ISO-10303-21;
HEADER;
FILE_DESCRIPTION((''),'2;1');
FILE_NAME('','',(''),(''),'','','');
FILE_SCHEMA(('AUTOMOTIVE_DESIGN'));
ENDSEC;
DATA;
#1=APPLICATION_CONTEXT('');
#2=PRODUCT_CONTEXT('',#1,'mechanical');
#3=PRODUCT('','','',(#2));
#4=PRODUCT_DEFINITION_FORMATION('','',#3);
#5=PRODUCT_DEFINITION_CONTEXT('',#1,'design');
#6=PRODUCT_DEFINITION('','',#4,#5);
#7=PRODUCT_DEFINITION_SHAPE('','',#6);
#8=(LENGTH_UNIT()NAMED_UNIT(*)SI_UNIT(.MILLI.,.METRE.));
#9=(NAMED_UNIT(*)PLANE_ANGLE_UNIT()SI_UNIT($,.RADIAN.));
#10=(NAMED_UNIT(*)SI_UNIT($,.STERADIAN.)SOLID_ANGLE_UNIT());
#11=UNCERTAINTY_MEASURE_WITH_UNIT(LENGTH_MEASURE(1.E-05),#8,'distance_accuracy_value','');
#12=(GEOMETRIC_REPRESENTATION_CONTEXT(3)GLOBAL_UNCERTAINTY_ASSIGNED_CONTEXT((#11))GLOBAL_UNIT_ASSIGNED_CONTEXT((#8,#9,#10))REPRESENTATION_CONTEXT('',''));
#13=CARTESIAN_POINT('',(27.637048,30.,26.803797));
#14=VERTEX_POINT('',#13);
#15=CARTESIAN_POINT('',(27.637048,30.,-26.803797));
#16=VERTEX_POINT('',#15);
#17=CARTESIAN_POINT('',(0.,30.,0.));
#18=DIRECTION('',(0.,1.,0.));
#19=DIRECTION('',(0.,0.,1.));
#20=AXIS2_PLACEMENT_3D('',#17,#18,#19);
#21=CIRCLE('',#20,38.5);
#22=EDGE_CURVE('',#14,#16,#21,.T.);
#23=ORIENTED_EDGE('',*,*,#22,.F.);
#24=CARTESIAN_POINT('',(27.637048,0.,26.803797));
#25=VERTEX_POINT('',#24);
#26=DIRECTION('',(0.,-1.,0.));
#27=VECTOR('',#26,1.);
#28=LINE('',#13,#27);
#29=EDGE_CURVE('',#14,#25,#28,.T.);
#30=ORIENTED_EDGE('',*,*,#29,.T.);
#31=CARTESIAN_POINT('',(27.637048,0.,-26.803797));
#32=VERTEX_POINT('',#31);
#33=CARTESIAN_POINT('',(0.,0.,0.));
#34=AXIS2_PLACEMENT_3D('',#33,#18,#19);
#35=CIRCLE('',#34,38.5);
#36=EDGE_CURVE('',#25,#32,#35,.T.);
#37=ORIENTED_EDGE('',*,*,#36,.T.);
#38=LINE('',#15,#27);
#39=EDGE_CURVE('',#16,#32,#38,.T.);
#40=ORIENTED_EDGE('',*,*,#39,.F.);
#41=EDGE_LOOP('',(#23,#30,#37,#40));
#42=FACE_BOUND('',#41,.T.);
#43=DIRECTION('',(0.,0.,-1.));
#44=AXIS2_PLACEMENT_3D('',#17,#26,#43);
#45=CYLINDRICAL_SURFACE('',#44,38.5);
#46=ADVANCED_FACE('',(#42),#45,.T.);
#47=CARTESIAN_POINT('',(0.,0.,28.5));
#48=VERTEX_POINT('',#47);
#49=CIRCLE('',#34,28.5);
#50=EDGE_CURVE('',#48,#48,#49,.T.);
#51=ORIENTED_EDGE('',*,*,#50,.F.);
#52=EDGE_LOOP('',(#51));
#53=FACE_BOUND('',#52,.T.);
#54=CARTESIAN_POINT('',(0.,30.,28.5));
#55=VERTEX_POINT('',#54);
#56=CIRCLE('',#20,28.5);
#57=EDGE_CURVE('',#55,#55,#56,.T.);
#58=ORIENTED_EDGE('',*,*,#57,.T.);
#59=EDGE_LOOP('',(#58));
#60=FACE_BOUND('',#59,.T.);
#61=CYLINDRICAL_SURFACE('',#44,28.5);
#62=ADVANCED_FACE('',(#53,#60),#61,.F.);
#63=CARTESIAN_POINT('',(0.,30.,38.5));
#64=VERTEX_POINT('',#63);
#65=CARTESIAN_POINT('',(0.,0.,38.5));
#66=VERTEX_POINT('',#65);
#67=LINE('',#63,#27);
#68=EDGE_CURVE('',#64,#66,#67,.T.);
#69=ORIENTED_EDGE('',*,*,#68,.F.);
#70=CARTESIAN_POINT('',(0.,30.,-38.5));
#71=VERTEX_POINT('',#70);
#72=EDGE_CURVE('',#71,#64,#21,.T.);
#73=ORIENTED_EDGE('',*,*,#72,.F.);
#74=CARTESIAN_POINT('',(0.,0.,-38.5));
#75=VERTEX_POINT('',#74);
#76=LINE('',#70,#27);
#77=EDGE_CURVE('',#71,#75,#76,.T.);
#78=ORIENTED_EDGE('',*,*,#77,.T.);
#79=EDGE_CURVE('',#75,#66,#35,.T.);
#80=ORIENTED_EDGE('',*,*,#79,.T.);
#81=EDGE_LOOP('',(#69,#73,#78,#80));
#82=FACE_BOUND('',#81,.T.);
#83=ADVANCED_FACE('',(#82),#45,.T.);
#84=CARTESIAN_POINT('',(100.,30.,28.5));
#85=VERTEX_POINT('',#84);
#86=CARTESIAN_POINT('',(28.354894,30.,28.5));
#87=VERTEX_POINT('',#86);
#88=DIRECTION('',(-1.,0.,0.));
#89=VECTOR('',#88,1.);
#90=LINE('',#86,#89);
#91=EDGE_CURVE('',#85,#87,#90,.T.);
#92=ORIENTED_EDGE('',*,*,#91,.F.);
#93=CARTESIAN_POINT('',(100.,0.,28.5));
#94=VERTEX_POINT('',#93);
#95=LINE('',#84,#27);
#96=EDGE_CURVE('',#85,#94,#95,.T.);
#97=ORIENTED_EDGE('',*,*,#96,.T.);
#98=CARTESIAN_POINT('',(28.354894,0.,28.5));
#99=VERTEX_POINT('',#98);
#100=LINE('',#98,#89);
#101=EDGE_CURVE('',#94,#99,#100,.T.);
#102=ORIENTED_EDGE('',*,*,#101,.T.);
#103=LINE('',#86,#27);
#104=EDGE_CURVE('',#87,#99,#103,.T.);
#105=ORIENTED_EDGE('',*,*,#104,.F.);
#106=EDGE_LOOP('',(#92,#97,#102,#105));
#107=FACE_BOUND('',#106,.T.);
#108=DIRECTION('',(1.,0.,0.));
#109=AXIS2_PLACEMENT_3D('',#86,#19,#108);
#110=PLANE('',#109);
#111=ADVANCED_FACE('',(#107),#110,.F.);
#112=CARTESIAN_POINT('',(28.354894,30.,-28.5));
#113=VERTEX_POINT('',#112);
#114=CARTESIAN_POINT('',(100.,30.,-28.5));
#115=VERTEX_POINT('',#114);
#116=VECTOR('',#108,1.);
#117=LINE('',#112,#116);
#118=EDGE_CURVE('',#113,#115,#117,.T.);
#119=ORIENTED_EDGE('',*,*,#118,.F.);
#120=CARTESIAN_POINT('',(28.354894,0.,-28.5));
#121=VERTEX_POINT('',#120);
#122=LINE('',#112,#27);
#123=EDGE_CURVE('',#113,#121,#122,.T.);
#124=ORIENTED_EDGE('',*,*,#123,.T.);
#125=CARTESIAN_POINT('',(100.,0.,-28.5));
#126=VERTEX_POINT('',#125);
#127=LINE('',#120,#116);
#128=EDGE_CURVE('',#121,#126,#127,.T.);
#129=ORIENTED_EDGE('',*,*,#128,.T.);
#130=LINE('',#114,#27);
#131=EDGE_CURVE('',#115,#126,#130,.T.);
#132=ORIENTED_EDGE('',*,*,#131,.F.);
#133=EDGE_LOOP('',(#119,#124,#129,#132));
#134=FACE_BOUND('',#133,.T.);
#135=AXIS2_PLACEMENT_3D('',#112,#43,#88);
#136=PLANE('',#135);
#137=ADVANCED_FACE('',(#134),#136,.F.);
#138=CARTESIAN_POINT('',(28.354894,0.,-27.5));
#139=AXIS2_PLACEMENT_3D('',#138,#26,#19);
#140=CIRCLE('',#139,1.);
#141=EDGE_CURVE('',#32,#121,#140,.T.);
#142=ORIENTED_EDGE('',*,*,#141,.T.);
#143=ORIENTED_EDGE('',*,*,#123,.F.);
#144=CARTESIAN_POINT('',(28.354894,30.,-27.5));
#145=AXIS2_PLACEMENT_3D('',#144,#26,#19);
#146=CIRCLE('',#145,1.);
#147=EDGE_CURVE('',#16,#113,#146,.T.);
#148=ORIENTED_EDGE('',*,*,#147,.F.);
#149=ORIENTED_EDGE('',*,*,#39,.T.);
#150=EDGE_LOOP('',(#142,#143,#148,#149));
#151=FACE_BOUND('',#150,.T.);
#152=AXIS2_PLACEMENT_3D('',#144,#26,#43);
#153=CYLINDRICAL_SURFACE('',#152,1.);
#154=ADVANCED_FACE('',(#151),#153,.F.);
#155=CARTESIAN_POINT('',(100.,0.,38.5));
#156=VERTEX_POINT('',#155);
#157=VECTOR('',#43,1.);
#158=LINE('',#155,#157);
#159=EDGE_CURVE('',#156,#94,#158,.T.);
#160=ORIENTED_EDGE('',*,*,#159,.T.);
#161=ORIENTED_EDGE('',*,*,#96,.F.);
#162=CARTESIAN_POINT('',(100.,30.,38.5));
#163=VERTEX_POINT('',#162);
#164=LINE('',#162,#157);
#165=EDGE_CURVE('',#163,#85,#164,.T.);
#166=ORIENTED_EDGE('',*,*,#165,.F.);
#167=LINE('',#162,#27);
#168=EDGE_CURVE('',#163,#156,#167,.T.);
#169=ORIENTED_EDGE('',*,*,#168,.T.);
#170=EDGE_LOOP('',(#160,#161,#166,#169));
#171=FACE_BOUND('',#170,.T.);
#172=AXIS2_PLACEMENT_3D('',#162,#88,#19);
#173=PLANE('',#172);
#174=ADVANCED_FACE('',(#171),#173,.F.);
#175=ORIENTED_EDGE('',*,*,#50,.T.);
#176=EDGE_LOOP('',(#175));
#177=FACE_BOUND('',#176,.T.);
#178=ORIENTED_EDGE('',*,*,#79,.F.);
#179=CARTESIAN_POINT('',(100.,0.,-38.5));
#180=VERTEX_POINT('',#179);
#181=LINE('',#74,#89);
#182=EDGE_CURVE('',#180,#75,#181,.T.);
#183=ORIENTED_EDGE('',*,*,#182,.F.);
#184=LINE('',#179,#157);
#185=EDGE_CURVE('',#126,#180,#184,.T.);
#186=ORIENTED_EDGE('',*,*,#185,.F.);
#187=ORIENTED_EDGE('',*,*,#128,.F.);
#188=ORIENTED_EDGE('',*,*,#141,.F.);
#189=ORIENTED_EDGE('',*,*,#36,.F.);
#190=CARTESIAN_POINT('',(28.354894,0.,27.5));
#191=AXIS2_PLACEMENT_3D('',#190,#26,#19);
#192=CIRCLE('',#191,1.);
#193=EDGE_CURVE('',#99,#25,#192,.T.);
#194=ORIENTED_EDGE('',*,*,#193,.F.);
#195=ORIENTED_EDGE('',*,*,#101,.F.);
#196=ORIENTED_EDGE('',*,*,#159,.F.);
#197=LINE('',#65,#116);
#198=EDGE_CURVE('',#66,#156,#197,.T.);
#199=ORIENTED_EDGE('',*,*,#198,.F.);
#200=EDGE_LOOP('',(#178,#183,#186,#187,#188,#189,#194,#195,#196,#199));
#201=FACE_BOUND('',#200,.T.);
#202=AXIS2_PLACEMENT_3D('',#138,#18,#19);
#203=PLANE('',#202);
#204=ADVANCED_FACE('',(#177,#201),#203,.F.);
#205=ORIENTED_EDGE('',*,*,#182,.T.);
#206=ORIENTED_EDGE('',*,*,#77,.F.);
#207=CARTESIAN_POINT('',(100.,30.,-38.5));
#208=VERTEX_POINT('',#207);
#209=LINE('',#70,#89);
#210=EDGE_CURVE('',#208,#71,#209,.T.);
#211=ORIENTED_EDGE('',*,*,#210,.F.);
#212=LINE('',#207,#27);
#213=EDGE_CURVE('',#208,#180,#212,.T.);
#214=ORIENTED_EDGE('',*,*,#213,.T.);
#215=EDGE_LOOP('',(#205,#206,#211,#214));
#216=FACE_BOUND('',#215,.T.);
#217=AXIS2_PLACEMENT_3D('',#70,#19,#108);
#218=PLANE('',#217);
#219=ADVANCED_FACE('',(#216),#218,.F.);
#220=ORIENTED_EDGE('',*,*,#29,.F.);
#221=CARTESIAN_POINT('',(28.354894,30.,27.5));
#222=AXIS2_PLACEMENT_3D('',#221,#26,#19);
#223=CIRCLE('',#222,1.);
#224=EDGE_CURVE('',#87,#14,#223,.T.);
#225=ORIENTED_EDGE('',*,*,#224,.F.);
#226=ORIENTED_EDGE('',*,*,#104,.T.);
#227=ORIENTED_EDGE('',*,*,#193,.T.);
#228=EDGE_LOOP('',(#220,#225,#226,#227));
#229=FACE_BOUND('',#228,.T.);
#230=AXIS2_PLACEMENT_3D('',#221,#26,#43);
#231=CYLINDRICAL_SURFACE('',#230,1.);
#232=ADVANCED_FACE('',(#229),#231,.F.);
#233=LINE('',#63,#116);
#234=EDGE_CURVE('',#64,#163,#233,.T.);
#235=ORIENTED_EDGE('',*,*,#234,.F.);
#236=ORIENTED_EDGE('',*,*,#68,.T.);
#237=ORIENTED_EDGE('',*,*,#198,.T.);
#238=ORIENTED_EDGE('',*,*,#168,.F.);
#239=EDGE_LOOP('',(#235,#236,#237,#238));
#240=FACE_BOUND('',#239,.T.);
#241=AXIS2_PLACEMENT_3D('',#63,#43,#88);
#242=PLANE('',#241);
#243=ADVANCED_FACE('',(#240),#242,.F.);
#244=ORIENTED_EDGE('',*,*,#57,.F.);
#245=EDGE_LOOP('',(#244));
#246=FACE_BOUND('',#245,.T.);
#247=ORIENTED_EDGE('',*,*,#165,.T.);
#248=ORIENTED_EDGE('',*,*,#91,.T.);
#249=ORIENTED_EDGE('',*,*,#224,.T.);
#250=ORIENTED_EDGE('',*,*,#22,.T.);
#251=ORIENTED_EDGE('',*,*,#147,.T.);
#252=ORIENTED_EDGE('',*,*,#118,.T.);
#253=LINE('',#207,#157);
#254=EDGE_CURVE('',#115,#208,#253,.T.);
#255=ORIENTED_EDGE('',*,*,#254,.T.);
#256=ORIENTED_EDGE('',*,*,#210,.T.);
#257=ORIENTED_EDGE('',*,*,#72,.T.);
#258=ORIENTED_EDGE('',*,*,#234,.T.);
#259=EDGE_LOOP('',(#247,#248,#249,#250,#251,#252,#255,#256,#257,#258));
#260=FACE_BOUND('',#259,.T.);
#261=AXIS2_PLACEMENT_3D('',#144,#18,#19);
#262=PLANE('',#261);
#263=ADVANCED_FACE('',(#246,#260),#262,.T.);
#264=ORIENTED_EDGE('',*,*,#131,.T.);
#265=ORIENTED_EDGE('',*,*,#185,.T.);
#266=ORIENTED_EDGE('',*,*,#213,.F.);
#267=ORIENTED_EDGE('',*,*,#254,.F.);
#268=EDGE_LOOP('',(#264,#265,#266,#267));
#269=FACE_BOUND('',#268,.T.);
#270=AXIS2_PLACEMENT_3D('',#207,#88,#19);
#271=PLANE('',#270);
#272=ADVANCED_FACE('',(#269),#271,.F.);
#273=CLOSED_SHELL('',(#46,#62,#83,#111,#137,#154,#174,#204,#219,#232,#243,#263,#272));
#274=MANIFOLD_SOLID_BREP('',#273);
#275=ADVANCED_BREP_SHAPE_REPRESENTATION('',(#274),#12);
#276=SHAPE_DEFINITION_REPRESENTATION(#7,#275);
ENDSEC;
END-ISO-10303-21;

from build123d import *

# Parameters (mm, degrees)
SKETCH_1_R      = 28.5
EXTRUDE_1_DEPTH = 30


with BuildPart() as part:
    # 草图1 → 凸台-拉伸1 (new body)
    with BuildSketch(Plane(origin=(0, 0, 0), x_dir=(1, 0, 0), z_dir=(0, 1, 0))):
        with BuildLine():
            Line((28.354893758, -28.5), (100, -28.5))
            Line((100, -28.5), (100, -38.5))
            Line((100, -38.5), (0, -38.5))
            ThreePointArc((0, -38.5), (-38.5, 0), (0, 38.5))
            Line((0, 38.5), (100, 38.5))
            Line((100, 38.5), (100, 28.5))
            Line((100, 28.5), (28.354893758, 28.5))
            ThreePointArc((28.354893758, 28.5), (27.433969621, 27.889741881), (27.637048346, 26.803797468))
            ThreePointArc((27.637048346, 26.803797468), (38.5, 0), (27.637048346, -26.803797468))
            ThreePointArc((27.637048346, -26.803797468), (27.433969621, -27.889741881), (28.354893758, -28.5))
        make_face()
        with Locations(Location((0, 0, 0), (0, 0, 270))):
            Circle(SKETCH_1_R, mode=Mode.SUBTRACT)
    extrude(amount=EXTRUDE_1_DEPTH)


solid = part.part
